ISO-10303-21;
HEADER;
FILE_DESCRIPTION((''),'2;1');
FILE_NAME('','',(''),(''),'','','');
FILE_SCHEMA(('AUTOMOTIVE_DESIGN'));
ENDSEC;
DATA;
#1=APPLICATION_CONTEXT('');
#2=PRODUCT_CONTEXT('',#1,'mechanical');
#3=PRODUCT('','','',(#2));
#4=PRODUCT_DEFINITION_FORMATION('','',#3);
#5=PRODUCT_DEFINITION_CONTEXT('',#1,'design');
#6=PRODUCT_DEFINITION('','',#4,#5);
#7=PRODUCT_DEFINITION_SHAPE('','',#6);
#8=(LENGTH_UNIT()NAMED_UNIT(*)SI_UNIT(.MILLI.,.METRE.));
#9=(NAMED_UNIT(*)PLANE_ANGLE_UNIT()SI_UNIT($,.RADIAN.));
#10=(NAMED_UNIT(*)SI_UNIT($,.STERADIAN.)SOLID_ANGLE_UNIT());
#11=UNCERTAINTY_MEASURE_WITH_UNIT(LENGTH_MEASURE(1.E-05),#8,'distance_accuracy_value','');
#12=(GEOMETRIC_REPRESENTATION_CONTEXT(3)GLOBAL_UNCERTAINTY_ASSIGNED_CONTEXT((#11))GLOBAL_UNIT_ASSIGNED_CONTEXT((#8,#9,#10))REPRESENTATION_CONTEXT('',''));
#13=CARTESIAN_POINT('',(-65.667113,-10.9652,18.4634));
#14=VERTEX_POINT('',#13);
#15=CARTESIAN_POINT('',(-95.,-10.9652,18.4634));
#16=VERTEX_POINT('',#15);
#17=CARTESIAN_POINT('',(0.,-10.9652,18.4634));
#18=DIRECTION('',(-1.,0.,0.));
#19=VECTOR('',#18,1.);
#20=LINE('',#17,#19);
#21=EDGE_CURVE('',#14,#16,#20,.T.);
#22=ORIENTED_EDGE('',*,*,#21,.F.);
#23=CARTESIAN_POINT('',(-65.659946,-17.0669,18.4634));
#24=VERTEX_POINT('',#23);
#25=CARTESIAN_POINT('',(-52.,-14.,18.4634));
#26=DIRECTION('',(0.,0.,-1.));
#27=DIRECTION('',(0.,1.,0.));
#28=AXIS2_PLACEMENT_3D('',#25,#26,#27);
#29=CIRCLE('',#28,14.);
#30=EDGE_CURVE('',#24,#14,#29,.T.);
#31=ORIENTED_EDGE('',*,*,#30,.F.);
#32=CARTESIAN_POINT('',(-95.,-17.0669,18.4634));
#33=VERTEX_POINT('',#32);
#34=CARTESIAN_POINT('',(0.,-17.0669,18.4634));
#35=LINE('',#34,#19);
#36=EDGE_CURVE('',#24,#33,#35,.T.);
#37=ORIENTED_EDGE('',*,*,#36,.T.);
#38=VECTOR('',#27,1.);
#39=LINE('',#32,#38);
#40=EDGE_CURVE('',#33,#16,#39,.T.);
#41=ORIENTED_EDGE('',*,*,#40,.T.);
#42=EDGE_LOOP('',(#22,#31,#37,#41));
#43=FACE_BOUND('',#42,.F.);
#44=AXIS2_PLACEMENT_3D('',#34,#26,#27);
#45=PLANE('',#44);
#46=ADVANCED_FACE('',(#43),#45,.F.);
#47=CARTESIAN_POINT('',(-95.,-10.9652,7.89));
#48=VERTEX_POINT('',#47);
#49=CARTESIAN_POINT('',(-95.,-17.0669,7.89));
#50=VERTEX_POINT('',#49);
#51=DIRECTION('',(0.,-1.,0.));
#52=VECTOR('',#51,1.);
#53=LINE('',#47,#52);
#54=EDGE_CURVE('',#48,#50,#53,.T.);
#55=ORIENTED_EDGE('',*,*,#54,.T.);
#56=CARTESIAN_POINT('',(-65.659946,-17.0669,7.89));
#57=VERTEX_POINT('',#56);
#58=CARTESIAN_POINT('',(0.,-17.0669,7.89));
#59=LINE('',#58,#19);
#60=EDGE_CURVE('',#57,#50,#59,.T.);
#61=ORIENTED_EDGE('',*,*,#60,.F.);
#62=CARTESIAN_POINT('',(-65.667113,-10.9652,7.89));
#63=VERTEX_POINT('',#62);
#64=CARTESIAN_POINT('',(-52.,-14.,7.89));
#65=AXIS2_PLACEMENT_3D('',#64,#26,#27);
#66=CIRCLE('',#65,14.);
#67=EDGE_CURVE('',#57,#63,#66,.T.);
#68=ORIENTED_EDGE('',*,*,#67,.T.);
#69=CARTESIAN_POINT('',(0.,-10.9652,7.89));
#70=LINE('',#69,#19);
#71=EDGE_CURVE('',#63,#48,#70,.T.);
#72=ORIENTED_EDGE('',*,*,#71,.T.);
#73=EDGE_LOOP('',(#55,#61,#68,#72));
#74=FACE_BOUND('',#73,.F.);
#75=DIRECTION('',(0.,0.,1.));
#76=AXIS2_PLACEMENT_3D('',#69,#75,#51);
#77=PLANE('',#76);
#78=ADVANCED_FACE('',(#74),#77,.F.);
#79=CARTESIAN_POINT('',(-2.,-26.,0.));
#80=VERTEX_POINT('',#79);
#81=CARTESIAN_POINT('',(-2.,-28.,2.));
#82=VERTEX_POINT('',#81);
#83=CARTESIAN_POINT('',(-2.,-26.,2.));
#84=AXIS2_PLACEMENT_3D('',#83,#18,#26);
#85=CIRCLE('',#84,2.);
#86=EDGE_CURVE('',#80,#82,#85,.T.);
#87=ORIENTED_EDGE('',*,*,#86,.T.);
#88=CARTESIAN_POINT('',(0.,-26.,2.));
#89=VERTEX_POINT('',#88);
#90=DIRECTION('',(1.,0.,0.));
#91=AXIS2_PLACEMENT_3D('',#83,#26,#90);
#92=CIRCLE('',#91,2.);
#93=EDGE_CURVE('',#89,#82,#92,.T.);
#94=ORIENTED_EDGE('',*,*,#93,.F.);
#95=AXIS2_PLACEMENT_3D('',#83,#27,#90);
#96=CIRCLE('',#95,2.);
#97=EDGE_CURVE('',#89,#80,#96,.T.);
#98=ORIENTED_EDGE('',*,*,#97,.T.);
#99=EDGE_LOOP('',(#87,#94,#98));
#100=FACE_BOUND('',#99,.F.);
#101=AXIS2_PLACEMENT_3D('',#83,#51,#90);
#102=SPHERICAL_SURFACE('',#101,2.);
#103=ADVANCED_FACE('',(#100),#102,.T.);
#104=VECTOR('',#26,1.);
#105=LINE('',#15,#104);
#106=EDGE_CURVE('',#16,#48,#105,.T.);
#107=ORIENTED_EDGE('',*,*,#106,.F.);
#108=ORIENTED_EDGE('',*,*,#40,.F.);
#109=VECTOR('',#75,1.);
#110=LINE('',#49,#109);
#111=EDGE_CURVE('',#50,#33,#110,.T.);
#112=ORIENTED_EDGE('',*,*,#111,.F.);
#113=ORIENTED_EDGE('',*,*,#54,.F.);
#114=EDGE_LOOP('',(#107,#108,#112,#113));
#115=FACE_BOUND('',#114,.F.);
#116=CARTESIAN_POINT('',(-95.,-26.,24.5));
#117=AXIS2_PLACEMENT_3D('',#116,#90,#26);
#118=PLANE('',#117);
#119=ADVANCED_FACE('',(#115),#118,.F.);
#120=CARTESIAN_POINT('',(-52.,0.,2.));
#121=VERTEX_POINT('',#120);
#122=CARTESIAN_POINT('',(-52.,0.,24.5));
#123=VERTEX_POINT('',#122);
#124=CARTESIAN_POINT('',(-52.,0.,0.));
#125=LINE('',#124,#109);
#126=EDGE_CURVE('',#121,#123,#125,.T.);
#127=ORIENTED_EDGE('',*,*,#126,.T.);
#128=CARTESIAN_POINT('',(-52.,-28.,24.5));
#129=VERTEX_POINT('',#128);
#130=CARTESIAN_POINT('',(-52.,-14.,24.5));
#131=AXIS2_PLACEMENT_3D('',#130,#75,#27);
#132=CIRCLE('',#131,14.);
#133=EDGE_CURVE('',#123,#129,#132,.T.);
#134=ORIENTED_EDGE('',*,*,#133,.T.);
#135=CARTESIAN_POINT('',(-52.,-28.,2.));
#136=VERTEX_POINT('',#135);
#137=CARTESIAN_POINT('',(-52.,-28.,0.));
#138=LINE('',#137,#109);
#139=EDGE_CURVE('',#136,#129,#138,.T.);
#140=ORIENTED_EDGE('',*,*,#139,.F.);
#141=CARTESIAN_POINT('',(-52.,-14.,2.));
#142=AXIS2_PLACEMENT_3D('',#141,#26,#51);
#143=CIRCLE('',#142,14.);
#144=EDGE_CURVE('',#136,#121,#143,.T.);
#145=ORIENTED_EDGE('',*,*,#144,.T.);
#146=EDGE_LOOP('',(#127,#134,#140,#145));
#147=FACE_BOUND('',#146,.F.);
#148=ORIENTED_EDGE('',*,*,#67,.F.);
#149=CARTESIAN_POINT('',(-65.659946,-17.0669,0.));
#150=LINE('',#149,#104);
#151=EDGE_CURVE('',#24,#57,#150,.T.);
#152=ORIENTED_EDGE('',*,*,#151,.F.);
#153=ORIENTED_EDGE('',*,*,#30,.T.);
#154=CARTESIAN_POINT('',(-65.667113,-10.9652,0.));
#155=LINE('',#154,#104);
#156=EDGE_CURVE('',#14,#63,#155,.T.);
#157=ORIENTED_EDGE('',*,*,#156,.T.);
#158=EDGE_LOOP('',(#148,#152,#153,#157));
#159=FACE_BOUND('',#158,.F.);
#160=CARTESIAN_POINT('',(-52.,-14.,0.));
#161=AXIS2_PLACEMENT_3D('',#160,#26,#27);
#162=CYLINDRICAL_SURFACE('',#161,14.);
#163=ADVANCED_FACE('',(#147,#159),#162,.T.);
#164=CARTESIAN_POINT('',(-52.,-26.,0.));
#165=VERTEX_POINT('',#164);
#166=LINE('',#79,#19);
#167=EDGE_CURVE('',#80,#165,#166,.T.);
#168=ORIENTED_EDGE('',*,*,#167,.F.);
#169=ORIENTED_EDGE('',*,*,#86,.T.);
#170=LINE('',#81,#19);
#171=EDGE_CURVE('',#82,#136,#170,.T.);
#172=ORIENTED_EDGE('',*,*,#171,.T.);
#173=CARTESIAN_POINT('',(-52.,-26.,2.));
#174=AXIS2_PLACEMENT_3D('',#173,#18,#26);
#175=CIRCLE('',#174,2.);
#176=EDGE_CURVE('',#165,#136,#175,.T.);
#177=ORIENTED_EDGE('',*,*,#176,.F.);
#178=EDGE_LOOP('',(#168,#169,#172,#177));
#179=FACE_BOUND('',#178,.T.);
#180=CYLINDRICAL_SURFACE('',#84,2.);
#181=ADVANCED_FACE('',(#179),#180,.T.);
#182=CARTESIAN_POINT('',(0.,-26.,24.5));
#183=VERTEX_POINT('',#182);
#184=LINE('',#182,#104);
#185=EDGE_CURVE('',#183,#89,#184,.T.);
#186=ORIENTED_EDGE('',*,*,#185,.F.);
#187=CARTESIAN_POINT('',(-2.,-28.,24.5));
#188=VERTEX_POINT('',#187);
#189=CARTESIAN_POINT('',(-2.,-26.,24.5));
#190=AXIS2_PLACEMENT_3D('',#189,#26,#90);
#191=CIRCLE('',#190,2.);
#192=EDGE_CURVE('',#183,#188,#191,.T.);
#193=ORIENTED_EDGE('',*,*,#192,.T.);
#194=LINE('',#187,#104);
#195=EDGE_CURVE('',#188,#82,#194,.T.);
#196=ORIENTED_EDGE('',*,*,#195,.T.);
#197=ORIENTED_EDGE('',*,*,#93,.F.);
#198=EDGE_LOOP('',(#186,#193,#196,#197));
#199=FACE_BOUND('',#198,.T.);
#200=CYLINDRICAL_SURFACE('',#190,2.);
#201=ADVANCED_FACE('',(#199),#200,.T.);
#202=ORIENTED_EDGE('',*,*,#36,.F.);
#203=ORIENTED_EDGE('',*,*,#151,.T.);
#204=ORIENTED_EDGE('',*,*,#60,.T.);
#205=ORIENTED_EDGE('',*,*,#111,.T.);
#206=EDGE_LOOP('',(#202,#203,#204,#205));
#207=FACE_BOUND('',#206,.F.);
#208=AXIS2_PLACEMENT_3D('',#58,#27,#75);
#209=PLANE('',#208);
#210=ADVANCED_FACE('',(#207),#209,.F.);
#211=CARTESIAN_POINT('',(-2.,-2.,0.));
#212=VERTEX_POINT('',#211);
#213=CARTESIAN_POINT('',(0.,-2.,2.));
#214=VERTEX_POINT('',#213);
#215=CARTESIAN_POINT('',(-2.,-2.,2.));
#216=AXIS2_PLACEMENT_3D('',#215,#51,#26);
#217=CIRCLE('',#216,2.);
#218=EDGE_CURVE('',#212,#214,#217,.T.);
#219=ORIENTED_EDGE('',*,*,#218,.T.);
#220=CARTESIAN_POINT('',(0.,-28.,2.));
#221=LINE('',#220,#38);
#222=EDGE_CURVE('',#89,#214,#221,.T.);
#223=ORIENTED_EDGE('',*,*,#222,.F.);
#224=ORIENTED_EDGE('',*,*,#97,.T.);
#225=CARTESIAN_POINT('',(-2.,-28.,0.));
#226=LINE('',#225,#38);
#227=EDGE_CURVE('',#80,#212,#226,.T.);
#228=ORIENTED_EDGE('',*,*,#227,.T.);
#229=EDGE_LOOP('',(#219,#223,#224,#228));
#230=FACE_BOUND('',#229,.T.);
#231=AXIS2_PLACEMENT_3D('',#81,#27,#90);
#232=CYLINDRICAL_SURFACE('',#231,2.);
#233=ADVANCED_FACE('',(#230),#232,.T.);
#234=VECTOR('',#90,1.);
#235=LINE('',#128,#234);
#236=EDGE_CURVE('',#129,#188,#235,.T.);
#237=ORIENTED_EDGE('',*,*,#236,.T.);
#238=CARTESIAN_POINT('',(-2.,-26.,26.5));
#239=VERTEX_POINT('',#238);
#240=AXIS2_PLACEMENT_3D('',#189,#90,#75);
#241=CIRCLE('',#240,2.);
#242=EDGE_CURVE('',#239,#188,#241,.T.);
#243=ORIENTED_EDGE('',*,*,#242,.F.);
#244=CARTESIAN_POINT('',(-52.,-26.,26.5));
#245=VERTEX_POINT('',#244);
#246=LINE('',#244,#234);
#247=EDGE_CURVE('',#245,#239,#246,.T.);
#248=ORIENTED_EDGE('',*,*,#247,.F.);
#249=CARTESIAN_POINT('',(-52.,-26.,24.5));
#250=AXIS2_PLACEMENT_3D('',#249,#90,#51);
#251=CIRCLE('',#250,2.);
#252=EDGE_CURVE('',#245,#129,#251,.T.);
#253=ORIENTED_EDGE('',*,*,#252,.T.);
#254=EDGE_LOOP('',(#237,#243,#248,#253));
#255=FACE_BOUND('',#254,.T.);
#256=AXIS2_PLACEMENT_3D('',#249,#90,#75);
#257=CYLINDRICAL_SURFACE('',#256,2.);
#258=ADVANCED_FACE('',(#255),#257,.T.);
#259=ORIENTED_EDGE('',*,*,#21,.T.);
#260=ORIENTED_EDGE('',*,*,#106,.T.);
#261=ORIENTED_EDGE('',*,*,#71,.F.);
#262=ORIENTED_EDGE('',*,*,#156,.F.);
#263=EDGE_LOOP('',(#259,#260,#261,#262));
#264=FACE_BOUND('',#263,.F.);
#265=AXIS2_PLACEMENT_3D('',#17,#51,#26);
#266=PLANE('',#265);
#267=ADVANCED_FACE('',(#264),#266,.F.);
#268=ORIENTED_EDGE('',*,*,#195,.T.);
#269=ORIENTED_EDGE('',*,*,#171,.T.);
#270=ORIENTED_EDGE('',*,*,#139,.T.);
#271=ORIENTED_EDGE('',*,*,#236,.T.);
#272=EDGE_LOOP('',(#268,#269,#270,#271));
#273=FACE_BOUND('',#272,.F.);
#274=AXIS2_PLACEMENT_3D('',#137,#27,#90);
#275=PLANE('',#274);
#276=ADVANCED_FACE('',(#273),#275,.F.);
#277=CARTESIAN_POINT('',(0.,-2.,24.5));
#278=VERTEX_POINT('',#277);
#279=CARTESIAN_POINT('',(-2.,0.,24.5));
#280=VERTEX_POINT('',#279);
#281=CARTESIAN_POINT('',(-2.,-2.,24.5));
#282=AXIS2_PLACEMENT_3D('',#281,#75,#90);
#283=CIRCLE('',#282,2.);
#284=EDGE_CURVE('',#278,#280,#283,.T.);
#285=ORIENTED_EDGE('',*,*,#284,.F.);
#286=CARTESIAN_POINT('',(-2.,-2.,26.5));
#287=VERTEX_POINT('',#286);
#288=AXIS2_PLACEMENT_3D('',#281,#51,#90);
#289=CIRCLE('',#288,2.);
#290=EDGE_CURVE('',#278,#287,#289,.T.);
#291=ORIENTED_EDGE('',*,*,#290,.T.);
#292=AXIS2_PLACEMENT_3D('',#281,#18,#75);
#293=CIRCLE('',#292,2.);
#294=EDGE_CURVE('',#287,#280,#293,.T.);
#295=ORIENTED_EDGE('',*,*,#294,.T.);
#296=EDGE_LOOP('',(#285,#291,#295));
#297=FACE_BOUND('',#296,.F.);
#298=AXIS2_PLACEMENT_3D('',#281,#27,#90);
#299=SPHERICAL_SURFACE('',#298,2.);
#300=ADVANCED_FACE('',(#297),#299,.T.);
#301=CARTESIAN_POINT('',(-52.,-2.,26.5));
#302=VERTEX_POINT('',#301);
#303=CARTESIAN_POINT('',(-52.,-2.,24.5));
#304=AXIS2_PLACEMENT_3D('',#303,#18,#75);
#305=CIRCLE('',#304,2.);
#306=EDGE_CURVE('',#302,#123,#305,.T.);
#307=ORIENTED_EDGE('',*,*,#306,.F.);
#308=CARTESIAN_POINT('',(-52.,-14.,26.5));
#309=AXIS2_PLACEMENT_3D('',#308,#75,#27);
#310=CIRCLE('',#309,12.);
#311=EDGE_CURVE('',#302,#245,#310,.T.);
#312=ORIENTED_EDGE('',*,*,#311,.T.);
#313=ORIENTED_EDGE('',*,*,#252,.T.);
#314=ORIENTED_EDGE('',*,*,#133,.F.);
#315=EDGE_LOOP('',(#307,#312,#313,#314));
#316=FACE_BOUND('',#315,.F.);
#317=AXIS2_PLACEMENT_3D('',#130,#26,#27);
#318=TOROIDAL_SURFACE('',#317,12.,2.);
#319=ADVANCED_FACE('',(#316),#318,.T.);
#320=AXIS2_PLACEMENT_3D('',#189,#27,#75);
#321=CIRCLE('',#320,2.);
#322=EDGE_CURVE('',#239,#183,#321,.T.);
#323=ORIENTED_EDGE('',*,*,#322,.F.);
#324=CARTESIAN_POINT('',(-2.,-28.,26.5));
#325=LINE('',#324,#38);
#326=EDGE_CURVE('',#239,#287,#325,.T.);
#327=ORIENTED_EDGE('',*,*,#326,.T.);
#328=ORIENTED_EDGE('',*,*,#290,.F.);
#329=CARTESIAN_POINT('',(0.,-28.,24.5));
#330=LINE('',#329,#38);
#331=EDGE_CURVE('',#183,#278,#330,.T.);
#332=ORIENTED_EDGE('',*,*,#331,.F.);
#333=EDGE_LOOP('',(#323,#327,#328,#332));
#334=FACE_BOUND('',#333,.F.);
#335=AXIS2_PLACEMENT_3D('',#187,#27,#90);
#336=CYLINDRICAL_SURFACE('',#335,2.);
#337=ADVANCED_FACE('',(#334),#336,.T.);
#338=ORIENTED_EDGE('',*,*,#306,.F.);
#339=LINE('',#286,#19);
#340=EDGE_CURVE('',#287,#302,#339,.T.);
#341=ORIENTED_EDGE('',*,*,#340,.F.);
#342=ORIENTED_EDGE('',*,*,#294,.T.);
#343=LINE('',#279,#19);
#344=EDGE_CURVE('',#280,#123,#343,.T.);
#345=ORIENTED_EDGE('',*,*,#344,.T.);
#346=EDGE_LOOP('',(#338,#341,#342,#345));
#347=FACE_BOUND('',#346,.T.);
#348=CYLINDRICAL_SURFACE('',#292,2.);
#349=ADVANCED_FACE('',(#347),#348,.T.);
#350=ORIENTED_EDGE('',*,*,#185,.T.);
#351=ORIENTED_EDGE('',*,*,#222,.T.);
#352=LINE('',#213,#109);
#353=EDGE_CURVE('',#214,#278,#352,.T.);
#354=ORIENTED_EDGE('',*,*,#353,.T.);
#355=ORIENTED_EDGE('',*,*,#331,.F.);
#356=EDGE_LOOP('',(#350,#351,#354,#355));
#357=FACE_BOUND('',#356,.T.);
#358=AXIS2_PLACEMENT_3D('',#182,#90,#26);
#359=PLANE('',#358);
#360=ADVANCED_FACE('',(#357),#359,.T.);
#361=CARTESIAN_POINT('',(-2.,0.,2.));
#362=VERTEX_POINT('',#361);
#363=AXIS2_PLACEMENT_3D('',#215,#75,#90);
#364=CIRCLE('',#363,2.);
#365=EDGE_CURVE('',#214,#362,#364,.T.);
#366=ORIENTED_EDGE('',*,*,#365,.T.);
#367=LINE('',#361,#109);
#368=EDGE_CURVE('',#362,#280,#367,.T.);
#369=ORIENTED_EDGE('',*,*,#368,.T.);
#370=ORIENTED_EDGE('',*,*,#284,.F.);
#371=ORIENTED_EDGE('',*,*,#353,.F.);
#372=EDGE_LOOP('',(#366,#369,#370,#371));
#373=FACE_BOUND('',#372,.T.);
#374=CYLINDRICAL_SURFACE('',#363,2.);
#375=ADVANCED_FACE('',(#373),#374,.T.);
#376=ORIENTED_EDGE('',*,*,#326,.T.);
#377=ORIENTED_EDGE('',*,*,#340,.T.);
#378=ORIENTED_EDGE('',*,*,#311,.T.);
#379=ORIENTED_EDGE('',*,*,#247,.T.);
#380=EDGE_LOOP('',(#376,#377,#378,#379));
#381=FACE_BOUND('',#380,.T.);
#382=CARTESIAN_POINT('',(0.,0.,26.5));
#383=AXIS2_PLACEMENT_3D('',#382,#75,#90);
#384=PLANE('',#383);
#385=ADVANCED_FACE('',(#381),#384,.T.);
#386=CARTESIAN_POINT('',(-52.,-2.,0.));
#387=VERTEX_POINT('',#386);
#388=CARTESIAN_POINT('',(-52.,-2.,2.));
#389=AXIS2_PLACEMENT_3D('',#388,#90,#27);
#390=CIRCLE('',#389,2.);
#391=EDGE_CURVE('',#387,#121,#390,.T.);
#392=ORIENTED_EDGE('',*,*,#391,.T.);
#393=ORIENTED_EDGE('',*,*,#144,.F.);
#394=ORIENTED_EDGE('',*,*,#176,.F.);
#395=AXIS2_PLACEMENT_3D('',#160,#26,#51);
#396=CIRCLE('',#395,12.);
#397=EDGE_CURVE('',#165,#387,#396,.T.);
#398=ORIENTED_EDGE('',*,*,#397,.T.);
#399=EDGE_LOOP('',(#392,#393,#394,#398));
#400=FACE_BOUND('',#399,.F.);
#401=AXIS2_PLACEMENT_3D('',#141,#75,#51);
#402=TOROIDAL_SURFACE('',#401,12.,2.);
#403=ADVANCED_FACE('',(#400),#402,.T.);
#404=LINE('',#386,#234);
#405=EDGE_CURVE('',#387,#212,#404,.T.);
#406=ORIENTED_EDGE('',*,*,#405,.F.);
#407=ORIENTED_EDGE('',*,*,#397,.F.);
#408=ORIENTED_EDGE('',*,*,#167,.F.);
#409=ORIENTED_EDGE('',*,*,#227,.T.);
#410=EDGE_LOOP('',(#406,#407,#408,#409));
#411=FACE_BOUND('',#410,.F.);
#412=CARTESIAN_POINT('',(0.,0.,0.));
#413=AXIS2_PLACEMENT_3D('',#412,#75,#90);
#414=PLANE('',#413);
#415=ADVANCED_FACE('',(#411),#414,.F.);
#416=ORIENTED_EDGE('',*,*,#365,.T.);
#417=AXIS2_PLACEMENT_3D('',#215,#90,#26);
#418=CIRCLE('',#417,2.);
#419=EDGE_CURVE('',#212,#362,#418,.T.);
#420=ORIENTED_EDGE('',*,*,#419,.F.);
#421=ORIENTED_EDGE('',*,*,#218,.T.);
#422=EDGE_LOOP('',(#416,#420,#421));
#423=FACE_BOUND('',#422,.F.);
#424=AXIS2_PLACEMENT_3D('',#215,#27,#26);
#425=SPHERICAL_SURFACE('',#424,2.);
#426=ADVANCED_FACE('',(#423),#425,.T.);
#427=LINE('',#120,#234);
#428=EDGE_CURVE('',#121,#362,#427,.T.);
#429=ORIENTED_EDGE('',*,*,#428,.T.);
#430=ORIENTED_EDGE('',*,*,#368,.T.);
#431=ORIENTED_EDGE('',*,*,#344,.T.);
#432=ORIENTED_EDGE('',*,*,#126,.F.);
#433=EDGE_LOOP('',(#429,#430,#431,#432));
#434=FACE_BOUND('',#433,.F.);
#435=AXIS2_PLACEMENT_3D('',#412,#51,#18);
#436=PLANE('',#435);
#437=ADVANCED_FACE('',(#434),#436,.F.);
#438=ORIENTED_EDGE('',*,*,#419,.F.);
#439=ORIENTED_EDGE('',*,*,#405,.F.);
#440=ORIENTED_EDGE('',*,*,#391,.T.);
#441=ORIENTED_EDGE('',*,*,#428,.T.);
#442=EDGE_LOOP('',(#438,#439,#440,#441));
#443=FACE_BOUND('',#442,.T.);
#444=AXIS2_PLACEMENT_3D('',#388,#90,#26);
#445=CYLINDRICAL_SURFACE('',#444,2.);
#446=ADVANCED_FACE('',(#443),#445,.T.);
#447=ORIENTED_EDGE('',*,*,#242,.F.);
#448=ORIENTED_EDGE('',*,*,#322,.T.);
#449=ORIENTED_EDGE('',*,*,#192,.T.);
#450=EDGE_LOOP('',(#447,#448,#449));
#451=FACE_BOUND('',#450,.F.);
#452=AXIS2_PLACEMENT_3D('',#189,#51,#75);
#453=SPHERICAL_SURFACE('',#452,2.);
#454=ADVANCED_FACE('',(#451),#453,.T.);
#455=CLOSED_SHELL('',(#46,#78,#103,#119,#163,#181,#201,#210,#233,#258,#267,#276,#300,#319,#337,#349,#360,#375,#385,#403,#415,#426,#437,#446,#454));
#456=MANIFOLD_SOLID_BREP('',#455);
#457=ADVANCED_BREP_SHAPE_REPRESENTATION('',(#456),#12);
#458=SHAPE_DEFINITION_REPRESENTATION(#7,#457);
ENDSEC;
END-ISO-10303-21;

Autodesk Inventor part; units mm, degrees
ref_plane "YZ Plane" through (0, 0, 0) normal (1, 0, 0) x (0, 1, 0)
ref_plane "XZ Plane" through (0, 0, 0) normal (0, 1, 0) x (-1, 0, 0)
ref_plane "XY Plane" through (0, 0, 0) normal (0, 0, 1) x (1, 0, 0)
sketch "Эскиз1" plane through (0, 0, 0) normal (0, 0, 1) x (1, 0, 0)
  line L0 (0, 0) -> (-52, 0)
  line L1 (-52, 0) -> (-52, -28) construction
  line L2 (-52, -28) -> (0, -28)
  line L3 (0, -28) -> (0, 0)
  arc A0 (-52, 0) -> (-52, -28) centre (-52, -14) ccw
  point P0 (-66, -14)
  dimension "d1" = 28
  dimension "d2" = 66
extrude "Выдавливание1" add sketch "Эскиз1" along normal blind 26.5
fillet "Сопряжение1" radius 2 2 edges at (0, -14, 26.5) (0, -14, 0)
fillet "Сопряжение2" radius 2 12 edges at (-0.5858, 0, 25.9142) (-27, 0, 26.5) (-66, -14, 26.5) (-27, -28, 26.5) (-0.5858, -28, 25.9142) (0, -28, 13.25) (-0.5858, -28, 0.5858) (-27, -28, 0) (-66, -14, 0) (-27, 0, 0) (-0.5858, 0, 0.5858) (0, 0, 13.25)
sketch "Эскиз2" plane through (0, -26, 24.5) normal (1, 0, 0) x (0, 0, -1)
  line L0 (6.0366, 15.0348) -> (16.61, 15.0348)
  line L1 (16.61, 15.0348) -> (16.61, 8.9331)
  line L2 (16.61, 8.9331) -> (6.0366, 8.9331)
  line L3 (6.0366, 8.9331) -> (6.0366, 15.0348)
  point P0 (24.5, 26)
extrude "Выдавливание2" add sketch "Эскиз2" against normal blind 95
properties part number "bat_sketch"
